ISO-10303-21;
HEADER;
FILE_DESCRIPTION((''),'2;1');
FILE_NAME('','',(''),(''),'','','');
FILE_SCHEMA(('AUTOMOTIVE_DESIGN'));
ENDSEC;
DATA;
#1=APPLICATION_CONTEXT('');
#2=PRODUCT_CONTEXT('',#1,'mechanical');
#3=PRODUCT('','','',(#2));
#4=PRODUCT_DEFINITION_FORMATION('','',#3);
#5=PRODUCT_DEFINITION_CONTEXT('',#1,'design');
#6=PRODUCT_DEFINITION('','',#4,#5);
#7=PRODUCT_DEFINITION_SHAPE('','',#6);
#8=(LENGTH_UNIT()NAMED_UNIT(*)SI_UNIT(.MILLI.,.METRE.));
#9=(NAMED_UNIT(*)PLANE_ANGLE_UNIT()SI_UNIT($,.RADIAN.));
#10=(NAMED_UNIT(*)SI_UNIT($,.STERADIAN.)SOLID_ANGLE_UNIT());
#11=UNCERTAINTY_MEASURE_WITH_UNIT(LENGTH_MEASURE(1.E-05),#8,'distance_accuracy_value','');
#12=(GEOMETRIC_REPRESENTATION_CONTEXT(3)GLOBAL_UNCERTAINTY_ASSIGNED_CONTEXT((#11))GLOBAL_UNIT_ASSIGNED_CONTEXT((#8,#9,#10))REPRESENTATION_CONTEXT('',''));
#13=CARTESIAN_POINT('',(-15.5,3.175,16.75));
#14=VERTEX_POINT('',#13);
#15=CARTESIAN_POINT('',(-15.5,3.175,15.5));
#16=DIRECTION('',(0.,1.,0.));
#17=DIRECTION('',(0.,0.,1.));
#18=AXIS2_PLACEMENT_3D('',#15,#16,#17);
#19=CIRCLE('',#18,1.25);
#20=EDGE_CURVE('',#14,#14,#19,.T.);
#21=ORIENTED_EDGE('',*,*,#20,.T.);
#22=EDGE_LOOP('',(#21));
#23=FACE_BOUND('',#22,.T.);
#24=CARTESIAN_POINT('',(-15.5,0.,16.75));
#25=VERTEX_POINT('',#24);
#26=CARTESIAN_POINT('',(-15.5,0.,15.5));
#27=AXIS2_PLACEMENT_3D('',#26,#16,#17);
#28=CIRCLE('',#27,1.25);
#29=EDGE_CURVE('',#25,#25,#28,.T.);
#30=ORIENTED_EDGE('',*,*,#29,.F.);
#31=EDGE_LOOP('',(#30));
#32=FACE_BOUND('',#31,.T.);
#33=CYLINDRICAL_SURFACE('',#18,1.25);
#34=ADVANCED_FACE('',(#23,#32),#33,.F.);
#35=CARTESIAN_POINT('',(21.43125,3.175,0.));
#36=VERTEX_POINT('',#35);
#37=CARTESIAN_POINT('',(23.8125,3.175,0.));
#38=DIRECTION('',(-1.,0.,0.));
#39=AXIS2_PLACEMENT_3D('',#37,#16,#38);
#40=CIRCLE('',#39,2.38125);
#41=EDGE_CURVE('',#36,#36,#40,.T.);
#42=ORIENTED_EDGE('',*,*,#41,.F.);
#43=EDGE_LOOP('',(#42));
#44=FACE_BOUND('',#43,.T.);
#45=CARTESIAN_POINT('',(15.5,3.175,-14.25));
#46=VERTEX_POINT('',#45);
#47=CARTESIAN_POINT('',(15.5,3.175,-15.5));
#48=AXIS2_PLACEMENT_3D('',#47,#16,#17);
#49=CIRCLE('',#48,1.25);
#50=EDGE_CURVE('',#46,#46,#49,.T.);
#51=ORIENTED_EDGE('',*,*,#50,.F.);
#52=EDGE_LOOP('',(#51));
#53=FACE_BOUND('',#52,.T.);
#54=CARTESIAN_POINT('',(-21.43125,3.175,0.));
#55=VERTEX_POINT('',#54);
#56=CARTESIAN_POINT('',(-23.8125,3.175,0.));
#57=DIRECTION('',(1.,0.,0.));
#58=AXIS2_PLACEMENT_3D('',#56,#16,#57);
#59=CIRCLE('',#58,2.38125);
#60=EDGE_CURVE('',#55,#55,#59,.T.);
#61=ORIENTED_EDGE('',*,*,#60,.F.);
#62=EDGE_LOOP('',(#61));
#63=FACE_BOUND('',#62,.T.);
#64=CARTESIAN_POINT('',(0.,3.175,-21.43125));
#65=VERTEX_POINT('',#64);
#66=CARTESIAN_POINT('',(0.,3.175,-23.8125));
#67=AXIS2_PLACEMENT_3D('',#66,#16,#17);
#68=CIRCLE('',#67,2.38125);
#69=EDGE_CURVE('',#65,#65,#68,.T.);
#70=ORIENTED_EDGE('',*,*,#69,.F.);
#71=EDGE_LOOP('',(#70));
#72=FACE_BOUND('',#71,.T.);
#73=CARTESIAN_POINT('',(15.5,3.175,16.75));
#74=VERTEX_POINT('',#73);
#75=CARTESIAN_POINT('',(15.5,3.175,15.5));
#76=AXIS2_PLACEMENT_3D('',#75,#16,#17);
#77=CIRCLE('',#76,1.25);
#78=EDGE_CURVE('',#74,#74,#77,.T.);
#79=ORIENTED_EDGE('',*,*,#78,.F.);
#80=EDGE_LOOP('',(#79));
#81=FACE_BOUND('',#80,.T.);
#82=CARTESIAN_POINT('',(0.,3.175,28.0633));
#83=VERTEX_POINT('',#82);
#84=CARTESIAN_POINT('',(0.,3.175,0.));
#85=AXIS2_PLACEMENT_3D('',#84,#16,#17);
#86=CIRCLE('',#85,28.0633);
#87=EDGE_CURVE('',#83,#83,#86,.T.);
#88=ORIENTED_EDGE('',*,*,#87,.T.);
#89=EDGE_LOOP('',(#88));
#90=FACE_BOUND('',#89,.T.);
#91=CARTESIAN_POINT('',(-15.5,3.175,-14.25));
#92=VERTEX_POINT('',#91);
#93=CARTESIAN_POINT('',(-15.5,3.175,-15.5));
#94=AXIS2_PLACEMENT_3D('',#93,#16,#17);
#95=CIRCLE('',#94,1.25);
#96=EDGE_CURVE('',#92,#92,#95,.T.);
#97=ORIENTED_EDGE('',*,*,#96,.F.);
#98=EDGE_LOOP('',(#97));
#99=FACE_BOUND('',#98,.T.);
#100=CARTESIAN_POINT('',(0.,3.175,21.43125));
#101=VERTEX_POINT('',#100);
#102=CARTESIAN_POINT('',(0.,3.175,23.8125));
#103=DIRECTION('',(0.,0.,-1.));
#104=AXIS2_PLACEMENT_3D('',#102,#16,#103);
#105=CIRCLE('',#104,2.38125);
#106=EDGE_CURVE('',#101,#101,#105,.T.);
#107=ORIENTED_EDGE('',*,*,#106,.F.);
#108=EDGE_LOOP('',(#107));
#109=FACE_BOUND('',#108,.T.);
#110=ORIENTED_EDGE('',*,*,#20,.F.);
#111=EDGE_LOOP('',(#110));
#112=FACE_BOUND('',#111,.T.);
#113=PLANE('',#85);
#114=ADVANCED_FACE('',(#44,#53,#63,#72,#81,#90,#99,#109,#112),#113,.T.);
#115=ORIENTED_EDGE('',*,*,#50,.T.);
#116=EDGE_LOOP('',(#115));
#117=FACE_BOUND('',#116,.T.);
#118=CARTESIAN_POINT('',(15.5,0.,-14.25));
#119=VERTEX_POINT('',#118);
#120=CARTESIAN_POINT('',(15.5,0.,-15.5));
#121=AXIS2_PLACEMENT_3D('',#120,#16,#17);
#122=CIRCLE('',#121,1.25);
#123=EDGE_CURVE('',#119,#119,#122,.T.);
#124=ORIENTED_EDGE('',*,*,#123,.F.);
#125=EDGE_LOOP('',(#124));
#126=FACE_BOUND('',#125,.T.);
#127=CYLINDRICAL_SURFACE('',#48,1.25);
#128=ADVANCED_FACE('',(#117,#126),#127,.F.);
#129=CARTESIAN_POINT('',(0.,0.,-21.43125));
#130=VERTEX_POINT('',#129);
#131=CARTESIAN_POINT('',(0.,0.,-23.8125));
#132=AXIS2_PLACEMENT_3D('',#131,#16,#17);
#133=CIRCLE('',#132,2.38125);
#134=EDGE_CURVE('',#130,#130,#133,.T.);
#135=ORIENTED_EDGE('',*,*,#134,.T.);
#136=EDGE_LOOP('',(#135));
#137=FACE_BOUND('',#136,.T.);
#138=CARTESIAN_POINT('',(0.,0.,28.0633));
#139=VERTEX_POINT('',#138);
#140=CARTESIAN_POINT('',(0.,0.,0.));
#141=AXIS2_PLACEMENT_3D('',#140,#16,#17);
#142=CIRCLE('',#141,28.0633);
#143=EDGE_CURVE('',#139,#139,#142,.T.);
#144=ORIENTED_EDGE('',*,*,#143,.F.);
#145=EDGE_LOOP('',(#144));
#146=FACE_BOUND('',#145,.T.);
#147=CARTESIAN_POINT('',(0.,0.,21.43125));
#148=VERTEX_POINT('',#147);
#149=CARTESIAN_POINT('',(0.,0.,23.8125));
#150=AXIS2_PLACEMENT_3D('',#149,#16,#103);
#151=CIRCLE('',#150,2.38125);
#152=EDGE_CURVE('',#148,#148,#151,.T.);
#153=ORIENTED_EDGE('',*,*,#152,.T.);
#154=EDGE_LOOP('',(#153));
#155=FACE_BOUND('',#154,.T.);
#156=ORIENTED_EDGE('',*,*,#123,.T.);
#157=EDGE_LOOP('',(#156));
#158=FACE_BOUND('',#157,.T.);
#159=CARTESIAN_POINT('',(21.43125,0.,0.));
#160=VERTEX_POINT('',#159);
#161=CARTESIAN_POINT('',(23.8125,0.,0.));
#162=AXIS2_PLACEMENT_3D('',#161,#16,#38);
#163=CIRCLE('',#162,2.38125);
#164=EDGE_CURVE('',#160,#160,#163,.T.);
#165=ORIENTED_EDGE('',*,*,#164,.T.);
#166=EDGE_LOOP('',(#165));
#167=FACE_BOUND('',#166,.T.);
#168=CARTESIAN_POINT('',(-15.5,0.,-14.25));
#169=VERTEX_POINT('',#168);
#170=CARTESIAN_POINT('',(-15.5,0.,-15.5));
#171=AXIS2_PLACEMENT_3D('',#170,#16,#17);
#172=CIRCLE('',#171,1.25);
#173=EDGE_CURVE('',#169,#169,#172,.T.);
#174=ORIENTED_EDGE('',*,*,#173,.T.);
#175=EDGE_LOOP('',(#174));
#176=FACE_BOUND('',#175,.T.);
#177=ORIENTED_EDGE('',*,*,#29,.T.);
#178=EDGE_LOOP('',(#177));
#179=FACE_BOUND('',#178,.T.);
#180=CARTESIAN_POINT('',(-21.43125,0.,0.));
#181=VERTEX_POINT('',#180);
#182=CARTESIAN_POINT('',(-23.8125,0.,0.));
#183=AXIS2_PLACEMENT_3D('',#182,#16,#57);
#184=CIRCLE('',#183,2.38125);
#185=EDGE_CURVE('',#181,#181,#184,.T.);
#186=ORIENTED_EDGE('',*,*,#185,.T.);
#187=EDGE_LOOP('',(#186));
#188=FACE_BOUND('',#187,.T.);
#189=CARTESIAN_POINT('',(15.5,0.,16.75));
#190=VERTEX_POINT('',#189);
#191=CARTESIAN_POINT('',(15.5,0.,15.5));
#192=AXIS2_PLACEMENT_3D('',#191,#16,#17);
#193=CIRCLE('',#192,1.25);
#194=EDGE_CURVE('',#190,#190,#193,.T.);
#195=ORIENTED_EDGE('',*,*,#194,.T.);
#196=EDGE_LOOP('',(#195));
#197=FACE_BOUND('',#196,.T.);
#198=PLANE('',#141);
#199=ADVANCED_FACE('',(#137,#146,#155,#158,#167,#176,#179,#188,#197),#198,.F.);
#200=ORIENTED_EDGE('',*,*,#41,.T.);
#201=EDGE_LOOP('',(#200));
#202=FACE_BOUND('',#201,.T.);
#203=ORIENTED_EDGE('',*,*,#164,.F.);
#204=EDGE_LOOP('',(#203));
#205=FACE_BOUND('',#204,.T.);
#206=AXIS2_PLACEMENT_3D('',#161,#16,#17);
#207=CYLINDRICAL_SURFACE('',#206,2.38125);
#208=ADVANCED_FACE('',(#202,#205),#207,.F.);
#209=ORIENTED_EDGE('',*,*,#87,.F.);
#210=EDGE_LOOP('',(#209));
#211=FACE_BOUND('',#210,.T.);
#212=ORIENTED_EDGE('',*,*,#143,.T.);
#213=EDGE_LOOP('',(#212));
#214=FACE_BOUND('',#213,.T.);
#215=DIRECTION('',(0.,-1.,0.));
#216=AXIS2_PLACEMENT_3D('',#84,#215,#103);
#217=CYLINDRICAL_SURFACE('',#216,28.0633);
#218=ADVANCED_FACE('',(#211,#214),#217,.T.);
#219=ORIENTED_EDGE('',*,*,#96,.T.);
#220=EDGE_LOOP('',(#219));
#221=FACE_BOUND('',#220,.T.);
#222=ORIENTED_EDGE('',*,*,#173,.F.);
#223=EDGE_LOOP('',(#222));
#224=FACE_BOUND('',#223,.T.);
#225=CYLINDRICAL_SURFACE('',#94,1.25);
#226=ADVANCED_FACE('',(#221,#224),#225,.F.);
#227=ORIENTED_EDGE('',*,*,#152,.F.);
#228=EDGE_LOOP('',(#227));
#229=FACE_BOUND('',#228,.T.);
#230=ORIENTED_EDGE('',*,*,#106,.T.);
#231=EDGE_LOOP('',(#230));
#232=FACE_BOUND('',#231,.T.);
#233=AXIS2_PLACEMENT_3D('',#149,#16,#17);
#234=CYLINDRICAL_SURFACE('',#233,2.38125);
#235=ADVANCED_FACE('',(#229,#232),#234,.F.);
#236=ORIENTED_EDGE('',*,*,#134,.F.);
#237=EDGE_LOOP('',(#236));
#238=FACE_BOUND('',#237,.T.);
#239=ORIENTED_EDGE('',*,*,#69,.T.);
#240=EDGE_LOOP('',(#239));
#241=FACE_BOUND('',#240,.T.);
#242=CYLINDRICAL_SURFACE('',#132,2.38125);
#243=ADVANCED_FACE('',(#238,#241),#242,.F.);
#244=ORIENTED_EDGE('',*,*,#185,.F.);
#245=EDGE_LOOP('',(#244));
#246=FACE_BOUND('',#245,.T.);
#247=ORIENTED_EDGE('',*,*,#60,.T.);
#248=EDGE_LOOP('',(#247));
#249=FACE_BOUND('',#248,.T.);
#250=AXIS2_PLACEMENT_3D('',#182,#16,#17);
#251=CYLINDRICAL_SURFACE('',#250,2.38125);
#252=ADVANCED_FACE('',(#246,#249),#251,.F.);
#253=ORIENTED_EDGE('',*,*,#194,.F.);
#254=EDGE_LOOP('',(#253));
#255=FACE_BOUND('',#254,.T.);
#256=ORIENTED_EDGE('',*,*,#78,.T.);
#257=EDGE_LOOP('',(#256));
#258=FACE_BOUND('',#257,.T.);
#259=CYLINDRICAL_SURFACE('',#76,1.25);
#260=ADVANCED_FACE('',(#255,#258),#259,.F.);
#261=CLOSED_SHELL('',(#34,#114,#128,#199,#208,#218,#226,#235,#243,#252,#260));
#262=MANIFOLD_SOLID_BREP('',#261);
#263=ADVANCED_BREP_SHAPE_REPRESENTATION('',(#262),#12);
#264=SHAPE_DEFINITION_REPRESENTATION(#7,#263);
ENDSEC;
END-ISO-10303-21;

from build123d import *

# Parameters (mm, degrees)
SKETCH1_R                 = 28.063300378
BOSS_EXTRUDE1_DEPTH       = 3.175
M3X0_5_TAPPED_HOLE1_D     = 2.5
M3X0_5_TAPPED_HOLE1_DEPTH = 7.62
M3X0_5_TAPPED_HOLE1_TIP   = 0.751075774
SKETCH5_R                 = 2.38125
CUT_EXTRUDE1_DEPTH        = 40.814297448
CIRPATTERN1_COUNT         = 4


with BuildPart() as part:
    # Sketch1 → Boss-Extrude1 (new body)
    with BuildSketch(Plane(origin=(0, 0, 0), x_dir=(1, 0, 0), z_dir=(0, 1, 0))):
        with Locations(Location((0, 0, 0), (0, 0, 270))):
            Circle(SKETCH1_R)
    extrude(amount=BOSS_EXTRUDE1_DEPTH)

    # M3x0.5 Tapped Hole1
    with Locations(Plane(origin=(0, 3.175, 0), x_dir=(1, 0, 0), z_dir=(0, 1, 0))):
        with Locations((-15.5, 15.5), (15.5, -15.5), (15.5, 15.5), (-15.5, -15.5)):
            Hole(M3X0_5_TAPPED_HOLE1_D / 2, depth=M3X0_5_TAPPED_HOLE1_DEPTH)
            with Locations((0, 0, -(M3X0_5_TAPPED_HOLE1_DEPTH + M3X0_5_TAPPED_HOLE1_TIP / 2))):  # 118° drill point
                Cone(0, M3X0_5_TAPPED_HOLE1_D / 2, M3X0_5_TAPPED_HOLE1_TIP, mode=Mode.SUBTRACT)

    # Sketch5 → Cut-Extrude1 (cut, through all)
    with BuildSketch(Plane(origin=(0, 3.175, 0), x_dir=(1, 0, 0), z_dir=(0, 1, 0))):
        with Locations(Location((0, 23.8125, 0), (0, 0, 270))):
            Circle(SKETCH5_R)
    cut_extrude1 = extrude(amount=-CUT_EXTRUDE1_DEPTH, mode=Mode.SUBTRACT)

    # CirPattern1: Cut-Extrude1 ×4 about axis
    cirpattern1_axis = Axis((0, 0, 0), (0, 1, 0))
    for i in range(1, CIRPATTERN1_COUNT):
        add(cut_extrude1.rotate(cirpattern1_axis, i * 360 / CIRPATTERN1_COUNT), mode=Mode.SUBTRACT)


solid = part.part
